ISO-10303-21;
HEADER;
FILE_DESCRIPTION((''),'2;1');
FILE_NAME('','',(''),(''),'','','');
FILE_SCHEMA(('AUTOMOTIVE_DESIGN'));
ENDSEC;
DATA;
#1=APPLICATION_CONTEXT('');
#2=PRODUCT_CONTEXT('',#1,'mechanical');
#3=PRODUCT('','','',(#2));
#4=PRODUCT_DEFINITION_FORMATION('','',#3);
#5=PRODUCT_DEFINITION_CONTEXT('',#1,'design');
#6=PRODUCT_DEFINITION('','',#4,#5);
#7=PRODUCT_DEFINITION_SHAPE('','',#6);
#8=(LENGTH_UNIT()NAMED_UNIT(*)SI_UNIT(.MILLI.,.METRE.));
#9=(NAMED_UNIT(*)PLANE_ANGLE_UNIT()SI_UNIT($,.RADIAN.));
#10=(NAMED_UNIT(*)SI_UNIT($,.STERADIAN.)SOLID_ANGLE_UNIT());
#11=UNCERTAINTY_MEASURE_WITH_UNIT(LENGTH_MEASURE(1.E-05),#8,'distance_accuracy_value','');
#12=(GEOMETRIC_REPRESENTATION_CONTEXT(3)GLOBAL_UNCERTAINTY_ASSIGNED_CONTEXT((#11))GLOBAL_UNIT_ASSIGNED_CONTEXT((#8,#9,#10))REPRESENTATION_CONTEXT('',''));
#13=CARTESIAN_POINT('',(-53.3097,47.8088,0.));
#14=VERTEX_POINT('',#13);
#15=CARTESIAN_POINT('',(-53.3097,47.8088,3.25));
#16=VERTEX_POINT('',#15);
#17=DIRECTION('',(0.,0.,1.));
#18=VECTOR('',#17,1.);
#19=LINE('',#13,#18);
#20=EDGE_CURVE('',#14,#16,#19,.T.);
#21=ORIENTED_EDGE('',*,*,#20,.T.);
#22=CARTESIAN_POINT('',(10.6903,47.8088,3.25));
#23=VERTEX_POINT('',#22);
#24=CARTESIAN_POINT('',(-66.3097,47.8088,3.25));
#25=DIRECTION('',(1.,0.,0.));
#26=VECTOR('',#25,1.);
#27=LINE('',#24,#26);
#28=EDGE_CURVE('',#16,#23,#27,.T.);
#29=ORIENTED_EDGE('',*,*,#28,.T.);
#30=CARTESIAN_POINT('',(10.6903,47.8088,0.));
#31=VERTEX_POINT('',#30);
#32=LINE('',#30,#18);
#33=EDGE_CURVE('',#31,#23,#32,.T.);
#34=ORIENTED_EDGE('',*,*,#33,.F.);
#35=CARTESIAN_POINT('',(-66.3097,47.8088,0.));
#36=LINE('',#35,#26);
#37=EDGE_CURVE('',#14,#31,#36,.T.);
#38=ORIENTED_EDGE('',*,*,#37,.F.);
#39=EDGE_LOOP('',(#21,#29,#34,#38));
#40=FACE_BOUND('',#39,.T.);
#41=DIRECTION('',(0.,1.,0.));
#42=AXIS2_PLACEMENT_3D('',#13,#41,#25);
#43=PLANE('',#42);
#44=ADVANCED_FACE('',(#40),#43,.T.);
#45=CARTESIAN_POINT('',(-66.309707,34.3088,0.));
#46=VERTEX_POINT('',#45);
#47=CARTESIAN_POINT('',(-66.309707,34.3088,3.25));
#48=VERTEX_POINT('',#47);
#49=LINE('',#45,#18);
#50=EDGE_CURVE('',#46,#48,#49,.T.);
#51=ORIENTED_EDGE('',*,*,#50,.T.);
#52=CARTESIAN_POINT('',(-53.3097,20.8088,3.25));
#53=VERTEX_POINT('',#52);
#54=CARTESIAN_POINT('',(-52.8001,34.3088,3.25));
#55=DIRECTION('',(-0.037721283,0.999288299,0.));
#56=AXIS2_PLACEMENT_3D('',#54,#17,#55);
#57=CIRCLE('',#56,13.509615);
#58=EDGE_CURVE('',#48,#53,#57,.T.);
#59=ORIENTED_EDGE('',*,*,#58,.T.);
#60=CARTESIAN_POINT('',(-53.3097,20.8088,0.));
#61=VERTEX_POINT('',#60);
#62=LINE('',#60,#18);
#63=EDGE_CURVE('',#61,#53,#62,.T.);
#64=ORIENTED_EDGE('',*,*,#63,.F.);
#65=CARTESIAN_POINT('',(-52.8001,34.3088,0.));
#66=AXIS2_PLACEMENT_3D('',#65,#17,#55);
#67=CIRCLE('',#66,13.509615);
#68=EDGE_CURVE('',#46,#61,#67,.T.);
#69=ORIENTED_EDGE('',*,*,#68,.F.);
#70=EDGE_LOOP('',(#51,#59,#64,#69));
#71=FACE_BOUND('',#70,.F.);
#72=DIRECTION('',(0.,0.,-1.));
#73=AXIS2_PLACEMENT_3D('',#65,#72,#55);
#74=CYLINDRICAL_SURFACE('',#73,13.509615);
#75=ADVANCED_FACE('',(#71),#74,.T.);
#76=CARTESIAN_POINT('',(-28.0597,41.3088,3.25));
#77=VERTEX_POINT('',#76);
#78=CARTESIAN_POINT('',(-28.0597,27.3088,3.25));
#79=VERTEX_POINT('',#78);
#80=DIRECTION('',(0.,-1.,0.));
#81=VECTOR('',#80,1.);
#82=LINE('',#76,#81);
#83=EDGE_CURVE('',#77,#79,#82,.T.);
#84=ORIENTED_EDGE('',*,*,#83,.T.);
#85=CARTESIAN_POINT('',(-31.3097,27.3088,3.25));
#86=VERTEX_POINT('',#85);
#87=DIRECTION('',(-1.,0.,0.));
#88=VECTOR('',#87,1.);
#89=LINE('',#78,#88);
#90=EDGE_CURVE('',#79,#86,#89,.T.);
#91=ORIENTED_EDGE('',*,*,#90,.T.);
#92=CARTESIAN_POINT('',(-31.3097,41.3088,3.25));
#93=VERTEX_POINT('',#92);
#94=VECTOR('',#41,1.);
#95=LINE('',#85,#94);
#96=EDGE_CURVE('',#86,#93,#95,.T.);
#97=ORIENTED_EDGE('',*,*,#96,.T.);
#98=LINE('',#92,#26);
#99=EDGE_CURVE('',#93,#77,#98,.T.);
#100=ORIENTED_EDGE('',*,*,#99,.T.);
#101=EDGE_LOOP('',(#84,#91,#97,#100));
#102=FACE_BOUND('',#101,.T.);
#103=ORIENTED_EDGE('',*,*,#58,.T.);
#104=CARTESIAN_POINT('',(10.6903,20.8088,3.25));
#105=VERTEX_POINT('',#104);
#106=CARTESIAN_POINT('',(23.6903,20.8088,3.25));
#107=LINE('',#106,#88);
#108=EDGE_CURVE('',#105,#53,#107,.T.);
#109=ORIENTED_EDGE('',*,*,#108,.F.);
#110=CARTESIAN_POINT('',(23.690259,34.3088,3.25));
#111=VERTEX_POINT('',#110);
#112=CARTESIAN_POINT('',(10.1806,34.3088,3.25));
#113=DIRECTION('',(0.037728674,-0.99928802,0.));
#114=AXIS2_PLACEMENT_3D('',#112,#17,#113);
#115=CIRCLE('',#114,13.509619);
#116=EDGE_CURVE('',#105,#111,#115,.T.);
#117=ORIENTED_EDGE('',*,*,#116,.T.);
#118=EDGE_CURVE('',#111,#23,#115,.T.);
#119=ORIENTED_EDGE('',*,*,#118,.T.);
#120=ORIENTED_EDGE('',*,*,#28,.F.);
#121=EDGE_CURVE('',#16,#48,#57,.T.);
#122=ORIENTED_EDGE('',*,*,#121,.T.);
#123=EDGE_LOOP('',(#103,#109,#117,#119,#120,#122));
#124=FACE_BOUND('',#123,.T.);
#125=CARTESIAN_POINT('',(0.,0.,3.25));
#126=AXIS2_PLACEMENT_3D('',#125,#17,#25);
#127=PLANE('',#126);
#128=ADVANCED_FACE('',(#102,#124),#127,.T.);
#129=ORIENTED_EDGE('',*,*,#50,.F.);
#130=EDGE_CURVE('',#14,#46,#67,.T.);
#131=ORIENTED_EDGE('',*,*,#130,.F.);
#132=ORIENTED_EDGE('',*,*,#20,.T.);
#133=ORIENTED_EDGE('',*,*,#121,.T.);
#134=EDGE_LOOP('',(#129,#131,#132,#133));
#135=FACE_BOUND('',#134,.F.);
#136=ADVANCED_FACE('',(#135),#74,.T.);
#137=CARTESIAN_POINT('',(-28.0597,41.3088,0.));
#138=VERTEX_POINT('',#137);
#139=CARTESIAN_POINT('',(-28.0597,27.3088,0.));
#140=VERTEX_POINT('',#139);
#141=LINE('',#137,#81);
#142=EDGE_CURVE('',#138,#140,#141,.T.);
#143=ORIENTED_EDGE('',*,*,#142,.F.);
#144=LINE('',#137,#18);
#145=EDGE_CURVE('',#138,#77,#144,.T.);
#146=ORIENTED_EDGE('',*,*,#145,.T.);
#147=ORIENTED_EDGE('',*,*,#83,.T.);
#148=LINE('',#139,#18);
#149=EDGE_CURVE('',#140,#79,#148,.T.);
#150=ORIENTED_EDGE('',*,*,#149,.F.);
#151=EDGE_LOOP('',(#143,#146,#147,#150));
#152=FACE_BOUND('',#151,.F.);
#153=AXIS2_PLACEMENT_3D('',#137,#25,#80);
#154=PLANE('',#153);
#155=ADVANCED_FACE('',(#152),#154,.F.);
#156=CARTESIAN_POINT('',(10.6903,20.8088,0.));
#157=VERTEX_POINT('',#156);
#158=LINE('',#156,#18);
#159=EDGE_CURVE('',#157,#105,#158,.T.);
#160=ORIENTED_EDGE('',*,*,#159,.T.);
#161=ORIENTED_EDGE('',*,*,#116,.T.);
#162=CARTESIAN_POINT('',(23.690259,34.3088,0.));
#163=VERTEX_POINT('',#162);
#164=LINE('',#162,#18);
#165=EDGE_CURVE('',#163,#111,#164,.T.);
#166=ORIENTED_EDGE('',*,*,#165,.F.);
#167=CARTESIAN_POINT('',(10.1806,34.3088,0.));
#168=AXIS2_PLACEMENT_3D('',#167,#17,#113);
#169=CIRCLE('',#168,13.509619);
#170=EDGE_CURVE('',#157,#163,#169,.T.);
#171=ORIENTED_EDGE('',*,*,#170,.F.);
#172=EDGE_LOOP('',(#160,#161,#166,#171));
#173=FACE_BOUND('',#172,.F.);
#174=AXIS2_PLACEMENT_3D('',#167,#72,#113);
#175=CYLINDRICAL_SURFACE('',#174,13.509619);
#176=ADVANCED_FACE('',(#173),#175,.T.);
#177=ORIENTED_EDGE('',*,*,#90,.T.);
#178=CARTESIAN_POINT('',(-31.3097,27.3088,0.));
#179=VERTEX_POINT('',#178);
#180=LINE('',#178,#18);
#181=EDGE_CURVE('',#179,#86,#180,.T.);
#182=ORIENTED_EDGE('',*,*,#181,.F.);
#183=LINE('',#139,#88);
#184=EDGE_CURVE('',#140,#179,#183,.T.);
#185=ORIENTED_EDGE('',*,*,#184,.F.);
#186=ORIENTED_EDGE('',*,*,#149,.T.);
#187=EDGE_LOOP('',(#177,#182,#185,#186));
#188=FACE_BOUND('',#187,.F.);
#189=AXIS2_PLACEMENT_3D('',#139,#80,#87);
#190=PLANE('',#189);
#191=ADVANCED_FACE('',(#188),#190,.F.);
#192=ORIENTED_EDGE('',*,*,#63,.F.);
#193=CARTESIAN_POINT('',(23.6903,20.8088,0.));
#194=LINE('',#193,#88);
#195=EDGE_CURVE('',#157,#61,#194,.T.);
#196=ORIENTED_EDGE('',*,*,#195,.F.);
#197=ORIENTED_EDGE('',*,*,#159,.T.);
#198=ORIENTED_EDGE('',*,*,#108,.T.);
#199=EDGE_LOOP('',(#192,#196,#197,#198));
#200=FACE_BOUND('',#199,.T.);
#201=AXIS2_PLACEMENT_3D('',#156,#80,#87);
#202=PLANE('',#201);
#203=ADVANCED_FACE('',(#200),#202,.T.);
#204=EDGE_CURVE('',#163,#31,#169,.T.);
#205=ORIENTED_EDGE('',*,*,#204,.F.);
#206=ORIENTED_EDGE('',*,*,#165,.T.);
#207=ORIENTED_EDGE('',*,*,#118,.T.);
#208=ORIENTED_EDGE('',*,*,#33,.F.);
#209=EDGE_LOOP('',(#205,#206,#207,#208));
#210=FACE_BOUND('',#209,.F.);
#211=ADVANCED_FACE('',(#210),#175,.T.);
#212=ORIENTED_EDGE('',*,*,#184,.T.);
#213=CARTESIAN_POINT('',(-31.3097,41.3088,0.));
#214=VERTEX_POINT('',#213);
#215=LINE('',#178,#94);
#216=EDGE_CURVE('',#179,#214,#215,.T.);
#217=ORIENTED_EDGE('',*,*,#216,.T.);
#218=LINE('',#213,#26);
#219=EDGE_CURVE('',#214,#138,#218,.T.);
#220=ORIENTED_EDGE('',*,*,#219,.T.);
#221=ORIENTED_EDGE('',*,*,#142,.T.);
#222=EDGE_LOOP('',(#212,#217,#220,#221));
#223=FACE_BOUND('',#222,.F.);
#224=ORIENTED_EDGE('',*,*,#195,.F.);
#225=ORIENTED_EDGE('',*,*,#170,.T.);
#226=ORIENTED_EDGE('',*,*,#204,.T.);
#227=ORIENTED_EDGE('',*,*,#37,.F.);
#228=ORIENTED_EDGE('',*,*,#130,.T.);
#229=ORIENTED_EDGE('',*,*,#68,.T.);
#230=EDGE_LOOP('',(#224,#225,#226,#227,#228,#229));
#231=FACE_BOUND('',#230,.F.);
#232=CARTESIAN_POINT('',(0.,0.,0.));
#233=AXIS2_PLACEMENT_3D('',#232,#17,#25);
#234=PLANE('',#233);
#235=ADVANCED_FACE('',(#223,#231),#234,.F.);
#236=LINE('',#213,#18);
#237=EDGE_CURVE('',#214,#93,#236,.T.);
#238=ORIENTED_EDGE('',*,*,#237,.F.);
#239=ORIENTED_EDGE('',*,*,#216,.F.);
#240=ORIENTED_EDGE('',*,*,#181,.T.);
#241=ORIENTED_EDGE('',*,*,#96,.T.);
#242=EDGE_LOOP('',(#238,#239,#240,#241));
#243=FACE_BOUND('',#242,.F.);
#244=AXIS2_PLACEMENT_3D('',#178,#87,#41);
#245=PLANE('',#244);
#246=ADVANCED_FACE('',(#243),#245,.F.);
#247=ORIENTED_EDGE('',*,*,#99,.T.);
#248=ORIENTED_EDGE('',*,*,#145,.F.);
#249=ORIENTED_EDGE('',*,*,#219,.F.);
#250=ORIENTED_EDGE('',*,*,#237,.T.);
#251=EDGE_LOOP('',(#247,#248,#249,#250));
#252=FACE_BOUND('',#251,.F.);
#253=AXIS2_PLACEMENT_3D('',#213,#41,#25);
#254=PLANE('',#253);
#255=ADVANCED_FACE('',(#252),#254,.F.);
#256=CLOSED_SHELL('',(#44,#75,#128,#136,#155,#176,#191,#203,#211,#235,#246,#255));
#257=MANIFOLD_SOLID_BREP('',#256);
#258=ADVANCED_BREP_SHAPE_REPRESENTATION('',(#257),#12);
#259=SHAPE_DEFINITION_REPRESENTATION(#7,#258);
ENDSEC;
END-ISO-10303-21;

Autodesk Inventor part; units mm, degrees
ref_plane "YZ Plane" through (0, 0, 0) normal (1, 0, 0) x (0, 1, 0)
ref_plane "XZ Plane" through (0, 0, 0) normal (0, 1, 0) x (-1, 0, 0)
ref_plane "XY Plane" through (0, 0, 0) normal (0, 0, 1) x (1, 0, 0)
sketch "Block1" plane through (0, 0, 0) normal (0, 0, 1) x (1, 0, 0)
  circle A0 centre (74.029, 24.2723) radius 1
  line L0 (49.279, 30.4723) -> (71.779, 30.4723)
  line L1 (71.779, 30.4723) -> (71.779, 18.0723)
  line L2 (71.779, 18.0723) -> (49.279, 18.0723)
  line L3 (49.279, 18.0723) -> (49.279, 30.4723)
  line L4 (49.279, 30.4723) -> (44.779, 30.4723)
  line L5 (44.779, 30.4723) -> (44.779, 18.0723)
  line L6 (44.779, 18.0723) -> (49.279, 18.0723)
  line L7 (49.279, 18.0723) -> (49.279, 30.4723)
  line L8 (71.779, 30.4723) -> (76.279, 30.4723)
  line L9 (76.279, 30.4723) -> (76.279, 18.0723)
  line L10 (76.279, 18.0723) -> (71.779, 18.0723)
  line L11 (71.779, 18.0723) -> (71.779, 30.4723)
  line L12 (44.779, 24.2723) -> (76.279, 24.2723) construction
  line L13 (47.029, 30.4723) -> (47.029, 18.0723) construction
  circle A1 centre (47.029, 24.2723) radius 1
  line L14 (74.029, 30.4723) -> (74.029, 18.0723) construction
  point P0 (60.979, 24.0984)
  dimension "d7" = 22.5
  dimension "d8" = 12.4
  dimension "d9" = 4.5
  dimension "d10" = 4.5
  dimension "d11" = 2
  dimension "d12" = 2
sketch "Sketch1" plane through (0, 0, 0) normal (0, 0, 1) x (1, 0, 0)
  line L0 (-92.7646, -8.503) -> (-89.7646, -8.503)
  line L1 (-89.7646, -8.503) -> (-89.7646, -11.753)
  line L2 (-89.7646, -11.753) -> (-92.7646, -11.753)
  line L3 (-92.7646, -11.753) -> (-92.7646, -8.503)
  line L4 (-92.7646, -21.6527) -> (-89.7646, -21.6527)
  line L5 (-89.7646, -21.6527) -> (-89.7646, -21.7527)
  line L6 (-89.7646, -21.7527) -> (-92.7646, -21.7527)
  line L7 (-92.7646, -21.7527) -> (-92.7646, -21.6527)
  line L8 (-66.3097, 47.8088) -> (23.6903, 47.8088)
  line L9 (23.6903, 47.8088) -> (23.6903, 20.8088)
  line L10 (23.6903, 20.8088) -> (-66.3097, 20.8088)
  line L11 (-66.3097, 20.8088) -> (-66.3097, 47.8088)
  line L12 (-66.3097, 34.3088) -> (23.6903, 34.3088) construction
  line L13 (-31.3097, 41.3088) -> (-28.0597, 41.3088)
  line L14 (-28.0597, 41.3088) -> (-28.0597, 27.3088)
  line L15 (-28.0597, 27.3088) -> (-31.3097, 27.3088)
  line L16 (-31.3097, 27.3088) -> (-31.3097, 41.3088)
  line L17 (-31.3097, 34.3088) -> (-28.0597, 34.3088) construction
  line L18 (-53.3097, 47.8088) -> (-53.3097, 20.8088) construction
  line L19 (-21.3097, 47.8088) -> (-21.3097, 20.8088) construction
  line L20 (10.6903, 47.8088) -> (10.6903, 20.8088) construction
  arc A0 (-53.3097, 47.8088) -> (-53.3097, 20.8088) centre (-52.8001, 34.3088) ccw
  arc A1 (10.6903, 20.8088) -> (10.6903, 47.8088) centre (10.1806, 34.3088) ccw
  point P0 (0, 0)
  dimension "d0" = 3
  dimension "mat" = 3.25
  dimension "d2" = 3
  dimension "d3" = 0.1
  dimension "d23" = 90
  dimension "d24" = 27
  dimension "d29" = 3.25
  dimension "d30" = 14
  dimension "d31" = 35
  dimension "d36" = 13
  dimension "d38" = 13
extrude "Extrusion5" add sketch "Sketch1" along normal blind 3.25 contours L8 A1 L10 A0
equation "\"d29\" = mat"
equation "\"d42\" = mat"
properties part number "arm-servo"
